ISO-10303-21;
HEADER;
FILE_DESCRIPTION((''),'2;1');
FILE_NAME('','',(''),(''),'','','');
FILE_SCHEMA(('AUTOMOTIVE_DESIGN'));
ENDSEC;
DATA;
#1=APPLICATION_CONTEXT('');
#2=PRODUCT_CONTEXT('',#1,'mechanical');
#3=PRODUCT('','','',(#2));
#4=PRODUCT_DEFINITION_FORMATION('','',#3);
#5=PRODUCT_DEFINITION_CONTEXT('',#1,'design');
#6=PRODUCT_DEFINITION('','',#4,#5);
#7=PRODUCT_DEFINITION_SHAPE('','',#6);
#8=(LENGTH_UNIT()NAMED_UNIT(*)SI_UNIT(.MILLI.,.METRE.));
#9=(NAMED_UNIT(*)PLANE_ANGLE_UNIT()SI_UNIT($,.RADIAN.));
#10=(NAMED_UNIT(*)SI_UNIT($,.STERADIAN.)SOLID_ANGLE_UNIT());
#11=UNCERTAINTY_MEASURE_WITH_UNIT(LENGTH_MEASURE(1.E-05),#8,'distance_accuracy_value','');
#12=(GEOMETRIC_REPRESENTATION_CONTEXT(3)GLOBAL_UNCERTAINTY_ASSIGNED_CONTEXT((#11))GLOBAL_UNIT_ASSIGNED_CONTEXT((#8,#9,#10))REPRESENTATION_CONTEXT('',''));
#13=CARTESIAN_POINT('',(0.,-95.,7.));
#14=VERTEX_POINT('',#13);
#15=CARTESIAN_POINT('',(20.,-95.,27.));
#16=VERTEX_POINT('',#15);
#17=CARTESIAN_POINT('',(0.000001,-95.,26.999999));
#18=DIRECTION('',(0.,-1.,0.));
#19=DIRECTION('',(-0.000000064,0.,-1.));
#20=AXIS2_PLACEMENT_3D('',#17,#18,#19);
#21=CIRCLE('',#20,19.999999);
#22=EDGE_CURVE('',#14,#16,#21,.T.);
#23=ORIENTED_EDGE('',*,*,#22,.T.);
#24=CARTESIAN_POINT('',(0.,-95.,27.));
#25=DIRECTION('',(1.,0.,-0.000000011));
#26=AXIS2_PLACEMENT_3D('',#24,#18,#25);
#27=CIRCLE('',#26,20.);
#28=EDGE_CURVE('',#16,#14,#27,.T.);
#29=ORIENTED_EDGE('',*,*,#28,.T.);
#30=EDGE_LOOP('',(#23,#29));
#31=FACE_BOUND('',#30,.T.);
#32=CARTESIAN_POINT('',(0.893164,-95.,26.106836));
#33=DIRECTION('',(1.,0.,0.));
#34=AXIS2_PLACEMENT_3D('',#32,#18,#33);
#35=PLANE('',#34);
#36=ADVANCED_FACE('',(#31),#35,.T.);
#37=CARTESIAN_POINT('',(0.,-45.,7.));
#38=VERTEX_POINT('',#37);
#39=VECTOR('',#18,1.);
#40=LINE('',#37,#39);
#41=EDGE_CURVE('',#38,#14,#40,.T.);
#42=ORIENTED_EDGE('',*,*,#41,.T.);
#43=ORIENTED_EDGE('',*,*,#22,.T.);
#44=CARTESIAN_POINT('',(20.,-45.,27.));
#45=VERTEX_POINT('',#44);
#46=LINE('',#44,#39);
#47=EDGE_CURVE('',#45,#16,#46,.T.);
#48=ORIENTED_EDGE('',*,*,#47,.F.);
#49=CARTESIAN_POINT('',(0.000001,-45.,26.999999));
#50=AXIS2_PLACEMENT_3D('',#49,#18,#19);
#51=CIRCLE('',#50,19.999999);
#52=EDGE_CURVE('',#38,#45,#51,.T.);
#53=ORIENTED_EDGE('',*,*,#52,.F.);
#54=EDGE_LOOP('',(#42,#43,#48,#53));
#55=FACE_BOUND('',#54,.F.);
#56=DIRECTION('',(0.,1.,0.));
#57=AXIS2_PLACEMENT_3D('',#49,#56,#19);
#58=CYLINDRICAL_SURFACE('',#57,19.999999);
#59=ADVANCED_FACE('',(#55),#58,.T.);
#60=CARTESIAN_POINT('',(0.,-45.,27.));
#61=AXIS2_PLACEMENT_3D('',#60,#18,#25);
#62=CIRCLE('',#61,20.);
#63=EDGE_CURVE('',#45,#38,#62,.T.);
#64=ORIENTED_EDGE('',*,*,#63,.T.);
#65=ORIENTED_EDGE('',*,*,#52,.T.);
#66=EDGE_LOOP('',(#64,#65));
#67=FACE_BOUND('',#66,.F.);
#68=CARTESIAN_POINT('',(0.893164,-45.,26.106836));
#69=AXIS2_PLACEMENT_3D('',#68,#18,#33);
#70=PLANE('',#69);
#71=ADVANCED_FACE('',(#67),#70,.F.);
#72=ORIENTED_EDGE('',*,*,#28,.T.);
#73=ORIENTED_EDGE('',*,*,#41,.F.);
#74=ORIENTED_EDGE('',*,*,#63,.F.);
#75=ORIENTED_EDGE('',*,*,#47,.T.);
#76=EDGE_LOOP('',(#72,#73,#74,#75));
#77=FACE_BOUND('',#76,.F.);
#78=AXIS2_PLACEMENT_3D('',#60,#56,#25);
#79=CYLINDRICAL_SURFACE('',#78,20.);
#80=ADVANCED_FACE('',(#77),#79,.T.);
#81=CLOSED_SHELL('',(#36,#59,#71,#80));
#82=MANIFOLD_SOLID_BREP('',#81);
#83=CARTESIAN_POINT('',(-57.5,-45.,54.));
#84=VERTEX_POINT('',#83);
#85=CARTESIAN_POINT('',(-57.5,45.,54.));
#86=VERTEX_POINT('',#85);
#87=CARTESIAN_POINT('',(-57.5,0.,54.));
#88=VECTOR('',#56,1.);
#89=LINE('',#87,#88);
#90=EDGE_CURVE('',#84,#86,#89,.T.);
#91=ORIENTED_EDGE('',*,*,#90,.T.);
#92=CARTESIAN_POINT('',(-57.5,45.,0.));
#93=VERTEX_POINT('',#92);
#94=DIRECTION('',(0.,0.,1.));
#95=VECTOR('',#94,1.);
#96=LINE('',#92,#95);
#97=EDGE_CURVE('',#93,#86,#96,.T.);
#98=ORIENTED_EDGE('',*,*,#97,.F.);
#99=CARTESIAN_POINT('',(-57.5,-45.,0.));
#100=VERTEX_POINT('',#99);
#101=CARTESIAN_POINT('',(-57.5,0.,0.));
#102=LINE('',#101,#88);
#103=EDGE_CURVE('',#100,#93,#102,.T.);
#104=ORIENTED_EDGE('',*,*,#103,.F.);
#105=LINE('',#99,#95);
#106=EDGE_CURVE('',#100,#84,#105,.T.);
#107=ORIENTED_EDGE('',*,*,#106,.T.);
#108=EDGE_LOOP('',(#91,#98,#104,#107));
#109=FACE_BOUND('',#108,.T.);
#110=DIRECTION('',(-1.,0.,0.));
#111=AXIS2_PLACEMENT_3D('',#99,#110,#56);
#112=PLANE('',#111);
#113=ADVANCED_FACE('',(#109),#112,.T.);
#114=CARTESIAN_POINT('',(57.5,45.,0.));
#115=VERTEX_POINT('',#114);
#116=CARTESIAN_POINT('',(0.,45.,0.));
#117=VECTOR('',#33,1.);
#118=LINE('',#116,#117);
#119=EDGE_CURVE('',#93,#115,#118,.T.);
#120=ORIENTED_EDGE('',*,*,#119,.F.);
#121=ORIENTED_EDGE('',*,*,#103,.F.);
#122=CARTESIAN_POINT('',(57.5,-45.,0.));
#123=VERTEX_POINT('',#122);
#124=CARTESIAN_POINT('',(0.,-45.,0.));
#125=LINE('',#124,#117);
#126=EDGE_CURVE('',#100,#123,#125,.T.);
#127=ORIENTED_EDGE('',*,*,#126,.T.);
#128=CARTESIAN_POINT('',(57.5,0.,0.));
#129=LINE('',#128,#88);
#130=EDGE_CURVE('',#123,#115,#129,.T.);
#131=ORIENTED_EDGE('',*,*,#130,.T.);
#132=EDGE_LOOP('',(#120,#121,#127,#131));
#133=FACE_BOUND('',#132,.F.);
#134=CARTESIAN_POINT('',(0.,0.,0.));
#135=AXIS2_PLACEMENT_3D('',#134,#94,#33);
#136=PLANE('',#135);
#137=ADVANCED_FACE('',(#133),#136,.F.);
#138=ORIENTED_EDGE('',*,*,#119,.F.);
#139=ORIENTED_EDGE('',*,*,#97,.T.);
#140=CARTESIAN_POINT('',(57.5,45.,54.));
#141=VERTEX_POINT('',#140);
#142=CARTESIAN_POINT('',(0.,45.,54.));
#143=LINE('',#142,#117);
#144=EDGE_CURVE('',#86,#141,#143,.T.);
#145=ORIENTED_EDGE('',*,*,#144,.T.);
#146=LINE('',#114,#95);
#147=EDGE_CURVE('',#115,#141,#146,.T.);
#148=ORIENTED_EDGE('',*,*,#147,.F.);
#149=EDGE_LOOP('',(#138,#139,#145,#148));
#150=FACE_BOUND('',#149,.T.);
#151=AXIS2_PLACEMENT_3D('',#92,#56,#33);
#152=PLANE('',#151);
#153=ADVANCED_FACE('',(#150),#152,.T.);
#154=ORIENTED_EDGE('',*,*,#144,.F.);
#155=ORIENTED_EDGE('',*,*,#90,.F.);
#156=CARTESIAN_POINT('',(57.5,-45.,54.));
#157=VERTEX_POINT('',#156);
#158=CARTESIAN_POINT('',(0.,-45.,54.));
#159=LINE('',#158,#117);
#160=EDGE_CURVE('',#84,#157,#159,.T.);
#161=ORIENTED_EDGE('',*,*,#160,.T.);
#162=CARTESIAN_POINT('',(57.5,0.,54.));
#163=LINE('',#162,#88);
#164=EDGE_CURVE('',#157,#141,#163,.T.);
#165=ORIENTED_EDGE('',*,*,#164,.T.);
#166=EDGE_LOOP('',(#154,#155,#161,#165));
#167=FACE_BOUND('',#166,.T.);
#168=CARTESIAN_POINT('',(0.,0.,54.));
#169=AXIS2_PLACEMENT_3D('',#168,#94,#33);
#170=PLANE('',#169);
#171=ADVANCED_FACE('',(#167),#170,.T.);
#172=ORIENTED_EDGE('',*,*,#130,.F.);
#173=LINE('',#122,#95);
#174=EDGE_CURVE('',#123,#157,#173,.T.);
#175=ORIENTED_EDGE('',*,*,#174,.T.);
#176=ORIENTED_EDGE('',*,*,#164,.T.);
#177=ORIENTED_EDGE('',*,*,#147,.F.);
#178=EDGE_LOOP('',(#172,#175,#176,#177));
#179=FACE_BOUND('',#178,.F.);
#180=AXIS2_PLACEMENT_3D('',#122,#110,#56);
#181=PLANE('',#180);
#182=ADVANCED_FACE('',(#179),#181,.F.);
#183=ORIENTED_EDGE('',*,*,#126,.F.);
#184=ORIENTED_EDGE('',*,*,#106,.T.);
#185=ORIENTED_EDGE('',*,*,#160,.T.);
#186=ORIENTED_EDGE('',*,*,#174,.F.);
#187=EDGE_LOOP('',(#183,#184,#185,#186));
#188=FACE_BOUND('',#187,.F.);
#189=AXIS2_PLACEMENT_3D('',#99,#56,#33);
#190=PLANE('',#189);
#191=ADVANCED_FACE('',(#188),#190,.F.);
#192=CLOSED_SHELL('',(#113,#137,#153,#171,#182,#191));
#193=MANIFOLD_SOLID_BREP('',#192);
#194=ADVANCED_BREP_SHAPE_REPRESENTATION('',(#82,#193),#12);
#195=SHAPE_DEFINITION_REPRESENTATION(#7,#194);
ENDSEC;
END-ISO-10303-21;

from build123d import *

# Parameters (mm, degrees)
F0_W     = 115
F0_H     = 90
F1_DEPTH = 54
F3_DEPTH = 50


with BuildPart() as f1:
    # F0 (on Top) → F1 (new body)
    with BuildSketch(Plane.XY):
        Rectangle(F0_W, F0_H)
    extrude(amount=F1_DEPTH)


with BuildPart() as f3:
    # F2 (on face) → F3 (new body)
    with BuildSketch(Plane.XZ.offset(45)):
        with BuildLine():
            ThreePointArc((0, 7), (14.142136, 12.857864), (20, 27))
            ThreePointArc((20, 27), (-14.142136, 41.142136), (0, 7))
        make_face()
    extrude(amount=F3_DEPTH)


solid = Compound([f1.part, f3.part])
